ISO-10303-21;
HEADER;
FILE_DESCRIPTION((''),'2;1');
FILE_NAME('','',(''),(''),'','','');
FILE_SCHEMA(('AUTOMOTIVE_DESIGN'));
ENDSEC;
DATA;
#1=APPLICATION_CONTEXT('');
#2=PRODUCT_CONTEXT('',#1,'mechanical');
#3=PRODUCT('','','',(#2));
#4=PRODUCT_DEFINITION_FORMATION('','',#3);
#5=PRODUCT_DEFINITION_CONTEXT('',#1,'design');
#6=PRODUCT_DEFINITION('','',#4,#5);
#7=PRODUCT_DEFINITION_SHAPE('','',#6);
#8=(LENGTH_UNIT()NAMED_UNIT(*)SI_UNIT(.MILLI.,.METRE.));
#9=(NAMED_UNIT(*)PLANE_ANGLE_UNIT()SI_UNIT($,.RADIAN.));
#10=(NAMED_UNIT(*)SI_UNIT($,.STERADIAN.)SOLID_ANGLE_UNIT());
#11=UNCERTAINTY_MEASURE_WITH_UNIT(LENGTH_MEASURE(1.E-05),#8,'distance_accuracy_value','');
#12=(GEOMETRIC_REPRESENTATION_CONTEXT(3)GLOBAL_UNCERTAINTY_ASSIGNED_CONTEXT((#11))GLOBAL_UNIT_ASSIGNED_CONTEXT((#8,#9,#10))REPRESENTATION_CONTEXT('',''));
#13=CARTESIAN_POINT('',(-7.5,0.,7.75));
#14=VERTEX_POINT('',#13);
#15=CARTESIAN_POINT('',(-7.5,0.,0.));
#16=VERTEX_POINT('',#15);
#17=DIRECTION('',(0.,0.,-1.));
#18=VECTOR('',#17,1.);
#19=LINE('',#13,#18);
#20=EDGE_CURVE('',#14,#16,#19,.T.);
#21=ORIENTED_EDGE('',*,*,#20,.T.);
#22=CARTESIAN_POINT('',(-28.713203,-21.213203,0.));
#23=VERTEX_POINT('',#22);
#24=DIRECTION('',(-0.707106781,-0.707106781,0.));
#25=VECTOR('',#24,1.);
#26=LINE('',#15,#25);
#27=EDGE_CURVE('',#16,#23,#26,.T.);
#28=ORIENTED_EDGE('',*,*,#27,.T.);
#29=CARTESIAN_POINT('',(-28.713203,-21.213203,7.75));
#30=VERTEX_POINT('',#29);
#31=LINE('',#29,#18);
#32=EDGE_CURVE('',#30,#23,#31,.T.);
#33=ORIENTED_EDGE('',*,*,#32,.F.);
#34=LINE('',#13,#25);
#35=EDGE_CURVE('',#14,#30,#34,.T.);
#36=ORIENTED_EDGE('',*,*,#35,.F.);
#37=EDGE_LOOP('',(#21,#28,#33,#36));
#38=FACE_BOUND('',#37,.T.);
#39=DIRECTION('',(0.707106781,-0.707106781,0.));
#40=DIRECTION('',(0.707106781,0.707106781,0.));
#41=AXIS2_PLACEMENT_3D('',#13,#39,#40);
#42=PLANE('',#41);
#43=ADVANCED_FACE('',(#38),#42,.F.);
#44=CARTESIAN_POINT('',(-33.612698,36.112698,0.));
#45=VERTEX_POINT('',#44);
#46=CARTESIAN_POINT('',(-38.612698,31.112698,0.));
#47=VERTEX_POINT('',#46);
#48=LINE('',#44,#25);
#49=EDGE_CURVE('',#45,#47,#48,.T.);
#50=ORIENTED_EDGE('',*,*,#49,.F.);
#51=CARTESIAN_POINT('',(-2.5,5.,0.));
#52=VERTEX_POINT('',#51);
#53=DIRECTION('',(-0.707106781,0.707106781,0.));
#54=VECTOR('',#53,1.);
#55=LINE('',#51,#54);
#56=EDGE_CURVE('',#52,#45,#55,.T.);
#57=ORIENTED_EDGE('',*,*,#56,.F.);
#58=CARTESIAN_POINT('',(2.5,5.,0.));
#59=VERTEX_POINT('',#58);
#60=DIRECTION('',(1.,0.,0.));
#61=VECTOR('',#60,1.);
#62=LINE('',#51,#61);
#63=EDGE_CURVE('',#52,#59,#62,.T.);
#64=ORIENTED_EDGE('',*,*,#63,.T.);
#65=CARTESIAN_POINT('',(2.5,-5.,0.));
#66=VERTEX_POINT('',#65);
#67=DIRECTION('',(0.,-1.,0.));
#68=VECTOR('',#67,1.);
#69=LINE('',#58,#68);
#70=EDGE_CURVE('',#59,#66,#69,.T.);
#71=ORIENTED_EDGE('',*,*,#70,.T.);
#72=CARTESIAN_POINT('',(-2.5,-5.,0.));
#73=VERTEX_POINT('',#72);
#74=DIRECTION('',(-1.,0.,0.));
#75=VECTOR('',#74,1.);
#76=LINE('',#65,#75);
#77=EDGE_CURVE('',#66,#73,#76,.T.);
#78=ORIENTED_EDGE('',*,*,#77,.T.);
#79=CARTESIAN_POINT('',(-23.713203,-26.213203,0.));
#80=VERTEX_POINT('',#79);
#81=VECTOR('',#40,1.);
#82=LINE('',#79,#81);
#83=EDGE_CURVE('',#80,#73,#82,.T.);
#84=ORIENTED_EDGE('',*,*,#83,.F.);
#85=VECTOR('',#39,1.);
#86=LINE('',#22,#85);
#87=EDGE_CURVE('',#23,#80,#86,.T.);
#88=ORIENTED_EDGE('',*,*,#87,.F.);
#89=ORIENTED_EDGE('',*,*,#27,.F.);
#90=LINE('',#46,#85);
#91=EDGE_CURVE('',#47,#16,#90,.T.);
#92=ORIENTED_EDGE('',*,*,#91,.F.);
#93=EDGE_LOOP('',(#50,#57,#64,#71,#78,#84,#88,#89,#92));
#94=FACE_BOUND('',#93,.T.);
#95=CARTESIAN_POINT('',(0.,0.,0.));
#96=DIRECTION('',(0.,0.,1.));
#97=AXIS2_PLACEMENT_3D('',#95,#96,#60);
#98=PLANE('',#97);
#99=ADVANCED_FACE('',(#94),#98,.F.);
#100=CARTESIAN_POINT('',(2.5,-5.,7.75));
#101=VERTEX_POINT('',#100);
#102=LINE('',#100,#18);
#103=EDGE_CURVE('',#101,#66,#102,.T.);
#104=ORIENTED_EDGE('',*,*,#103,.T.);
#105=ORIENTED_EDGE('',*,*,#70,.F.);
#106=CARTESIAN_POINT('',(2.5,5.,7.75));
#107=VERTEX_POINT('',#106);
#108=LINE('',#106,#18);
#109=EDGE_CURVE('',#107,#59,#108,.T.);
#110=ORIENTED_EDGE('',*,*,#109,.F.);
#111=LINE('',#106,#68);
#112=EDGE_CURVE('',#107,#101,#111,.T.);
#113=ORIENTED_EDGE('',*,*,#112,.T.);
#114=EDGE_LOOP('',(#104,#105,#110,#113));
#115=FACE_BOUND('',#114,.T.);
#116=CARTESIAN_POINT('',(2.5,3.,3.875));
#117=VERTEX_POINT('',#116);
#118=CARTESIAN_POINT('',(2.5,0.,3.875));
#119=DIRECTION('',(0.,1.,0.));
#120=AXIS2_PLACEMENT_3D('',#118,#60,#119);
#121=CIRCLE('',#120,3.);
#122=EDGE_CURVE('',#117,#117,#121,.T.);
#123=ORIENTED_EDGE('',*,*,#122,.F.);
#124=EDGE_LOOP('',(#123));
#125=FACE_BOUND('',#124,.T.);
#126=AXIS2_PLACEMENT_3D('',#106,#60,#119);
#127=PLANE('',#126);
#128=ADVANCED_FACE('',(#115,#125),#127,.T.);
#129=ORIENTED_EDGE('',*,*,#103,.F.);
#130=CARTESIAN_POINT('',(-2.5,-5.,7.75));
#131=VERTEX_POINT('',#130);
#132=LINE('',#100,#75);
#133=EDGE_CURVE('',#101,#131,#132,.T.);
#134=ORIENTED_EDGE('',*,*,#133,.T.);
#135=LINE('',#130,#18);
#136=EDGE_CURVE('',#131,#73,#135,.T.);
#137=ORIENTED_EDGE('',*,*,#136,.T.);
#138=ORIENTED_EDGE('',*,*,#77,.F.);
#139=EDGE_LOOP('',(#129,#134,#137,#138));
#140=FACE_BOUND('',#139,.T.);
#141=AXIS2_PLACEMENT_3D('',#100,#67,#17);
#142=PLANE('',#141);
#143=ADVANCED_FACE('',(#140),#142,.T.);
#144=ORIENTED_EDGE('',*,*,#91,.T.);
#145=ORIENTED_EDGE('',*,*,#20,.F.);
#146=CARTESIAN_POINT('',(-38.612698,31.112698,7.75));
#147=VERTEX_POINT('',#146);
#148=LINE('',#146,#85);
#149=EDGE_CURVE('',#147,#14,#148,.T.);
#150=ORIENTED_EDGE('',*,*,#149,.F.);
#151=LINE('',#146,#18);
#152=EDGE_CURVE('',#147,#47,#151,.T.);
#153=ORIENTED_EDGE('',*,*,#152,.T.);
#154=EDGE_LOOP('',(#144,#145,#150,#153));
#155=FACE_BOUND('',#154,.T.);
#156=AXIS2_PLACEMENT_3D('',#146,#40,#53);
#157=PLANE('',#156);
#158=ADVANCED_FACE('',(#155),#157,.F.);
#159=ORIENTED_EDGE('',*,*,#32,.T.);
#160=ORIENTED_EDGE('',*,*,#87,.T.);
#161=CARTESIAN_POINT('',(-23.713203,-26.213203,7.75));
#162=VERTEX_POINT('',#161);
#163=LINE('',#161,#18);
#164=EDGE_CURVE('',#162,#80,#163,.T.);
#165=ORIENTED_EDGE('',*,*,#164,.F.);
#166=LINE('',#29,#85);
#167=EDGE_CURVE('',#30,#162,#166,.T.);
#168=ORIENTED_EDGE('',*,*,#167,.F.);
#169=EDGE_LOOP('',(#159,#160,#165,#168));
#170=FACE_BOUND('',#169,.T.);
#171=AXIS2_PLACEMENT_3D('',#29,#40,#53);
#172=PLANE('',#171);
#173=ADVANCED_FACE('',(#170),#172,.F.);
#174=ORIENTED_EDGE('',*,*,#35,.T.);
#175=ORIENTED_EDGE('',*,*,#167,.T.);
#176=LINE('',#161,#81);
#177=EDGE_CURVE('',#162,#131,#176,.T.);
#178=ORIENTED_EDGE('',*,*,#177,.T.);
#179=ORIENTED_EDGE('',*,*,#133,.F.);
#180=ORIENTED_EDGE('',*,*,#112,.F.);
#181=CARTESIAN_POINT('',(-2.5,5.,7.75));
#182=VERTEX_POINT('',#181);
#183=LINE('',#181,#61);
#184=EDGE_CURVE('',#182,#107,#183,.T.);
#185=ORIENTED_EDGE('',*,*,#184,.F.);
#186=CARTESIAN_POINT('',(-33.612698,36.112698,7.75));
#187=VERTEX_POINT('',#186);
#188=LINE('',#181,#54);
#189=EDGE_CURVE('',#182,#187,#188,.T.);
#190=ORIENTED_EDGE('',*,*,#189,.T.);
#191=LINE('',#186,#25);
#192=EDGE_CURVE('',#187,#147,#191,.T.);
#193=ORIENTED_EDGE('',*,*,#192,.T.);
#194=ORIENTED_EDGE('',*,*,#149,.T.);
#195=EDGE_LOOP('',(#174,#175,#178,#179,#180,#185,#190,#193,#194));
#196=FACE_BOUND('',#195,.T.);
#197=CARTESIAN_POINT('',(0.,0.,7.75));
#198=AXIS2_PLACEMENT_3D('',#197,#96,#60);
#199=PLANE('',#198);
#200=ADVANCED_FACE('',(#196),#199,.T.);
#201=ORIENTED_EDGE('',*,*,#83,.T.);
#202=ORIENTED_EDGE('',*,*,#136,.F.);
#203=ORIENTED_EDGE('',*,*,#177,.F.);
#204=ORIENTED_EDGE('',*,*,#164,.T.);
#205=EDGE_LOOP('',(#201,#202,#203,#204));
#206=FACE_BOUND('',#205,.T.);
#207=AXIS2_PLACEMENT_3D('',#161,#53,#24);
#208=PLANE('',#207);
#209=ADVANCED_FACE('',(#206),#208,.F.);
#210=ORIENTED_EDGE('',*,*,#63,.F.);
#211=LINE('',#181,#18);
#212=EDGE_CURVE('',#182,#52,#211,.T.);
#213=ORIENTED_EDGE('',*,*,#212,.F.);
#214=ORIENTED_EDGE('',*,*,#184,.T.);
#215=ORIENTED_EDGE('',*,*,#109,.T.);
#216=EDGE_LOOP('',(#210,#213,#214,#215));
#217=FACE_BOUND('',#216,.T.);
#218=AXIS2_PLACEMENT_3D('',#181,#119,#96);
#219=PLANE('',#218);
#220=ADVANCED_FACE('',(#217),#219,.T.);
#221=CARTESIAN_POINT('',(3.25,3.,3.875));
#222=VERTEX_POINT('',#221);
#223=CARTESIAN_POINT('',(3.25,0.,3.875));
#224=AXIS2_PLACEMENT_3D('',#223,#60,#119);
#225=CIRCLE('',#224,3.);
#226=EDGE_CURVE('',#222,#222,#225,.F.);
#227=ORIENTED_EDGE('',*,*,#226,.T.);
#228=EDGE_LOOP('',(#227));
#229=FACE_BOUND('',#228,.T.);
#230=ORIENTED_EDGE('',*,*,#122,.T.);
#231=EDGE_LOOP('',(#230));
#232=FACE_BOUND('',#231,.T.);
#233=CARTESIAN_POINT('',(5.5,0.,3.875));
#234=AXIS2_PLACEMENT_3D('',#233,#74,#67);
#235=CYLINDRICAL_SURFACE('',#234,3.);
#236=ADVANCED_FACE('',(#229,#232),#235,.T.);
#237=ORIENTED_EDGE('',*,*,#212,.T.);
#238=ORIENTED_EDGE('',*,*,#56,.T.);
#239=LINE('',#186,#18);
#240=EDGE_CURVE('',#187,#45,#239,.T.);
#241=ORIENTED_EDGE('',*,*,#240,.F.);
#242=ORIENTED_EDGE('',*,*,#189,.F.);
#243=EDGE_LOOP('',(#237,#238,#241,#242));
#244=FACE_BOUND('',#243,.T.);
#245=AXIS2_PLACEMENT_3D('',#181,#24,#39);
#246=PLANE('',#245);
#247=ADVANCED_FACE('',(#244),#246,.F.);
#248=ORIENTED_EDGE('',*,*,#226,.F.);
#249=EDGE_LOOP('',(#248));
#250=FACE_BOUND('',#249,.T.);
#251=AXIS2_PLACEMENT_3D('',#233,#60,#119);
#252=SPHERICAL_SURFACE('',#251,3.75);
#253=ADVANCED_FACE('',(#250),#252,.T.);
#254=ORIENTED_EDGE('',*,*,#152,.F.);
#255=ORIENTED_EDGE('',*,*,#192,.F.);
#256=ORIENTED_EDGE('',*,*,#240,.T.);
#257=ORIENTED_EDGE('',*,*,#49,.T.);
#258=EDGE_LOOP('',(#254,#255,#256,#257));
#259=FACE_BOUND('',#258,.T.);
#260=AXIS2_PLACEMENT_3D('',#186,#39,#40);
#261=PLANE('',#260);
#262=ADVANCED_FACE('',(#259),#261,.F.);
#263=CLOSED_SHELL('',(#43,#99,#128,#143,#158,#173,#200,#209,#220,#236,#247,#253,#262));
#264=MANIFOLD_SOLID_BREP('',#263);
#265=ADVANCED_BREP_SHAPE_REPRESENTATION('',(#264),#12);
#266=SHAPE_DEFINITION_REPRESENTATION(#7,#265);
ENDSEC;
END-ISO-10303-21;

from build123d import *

# Parameters (mm, degrees)
BOSS_EXTRUDE3_DEPTH = 7.75
SKETCH4_R           = 3
BOSS_EXTRUDE4_DEPTH = 3


with BuildPart() as part:
    # Sketch3 → Boss-Extrude3 (new body)
    with BuildSketch(Plane.XY):
        Polygon((-2.5, 5), (2.5, 5), (2.5, -5), (-2.5, -5), (-23.713203436, -26.213203436), (-28.713203436, -21.213203436), (-7.5, 0), (-38.612698372, 31.112698372), (-33.612698372, 36.112698372), align=None)
    extrude(amount=BOSS_EXTRUDE3_DEPTH)

    # Sketch4 → Boss-Extrude4 (add)
    with BuildSketch(Plane(origin=(2.5, 0, 0), x_dir=(0, 0, -1), z_dir=(1, 0, 0))):
        with Locations(Location((-3.875, 0, 0), (0, 0, 90))):
            Circle(SKETCH4_R)
    extrude(amount=BOSS_EXTRUDE4_DEPTH)

    # Sketch5 → Revolve1 (revolve)
    with BuildSketch(Plane(origin=(5.5, 0, 0), x_dir=(0, 0, -1), z_dir=(1, 0, 0))):
        with BuildLine():
            Line((-3.875, 3.75), (-3.875, -3.75))
            ThreePointArc((-3.875, -3.75), (-7.625, 0), (-3.875, 3.75))
        make_face()
    revolve(axis=Axis((5.5, 4.135747614, 3.875), (0, -1, 0)))


solid = part.part
